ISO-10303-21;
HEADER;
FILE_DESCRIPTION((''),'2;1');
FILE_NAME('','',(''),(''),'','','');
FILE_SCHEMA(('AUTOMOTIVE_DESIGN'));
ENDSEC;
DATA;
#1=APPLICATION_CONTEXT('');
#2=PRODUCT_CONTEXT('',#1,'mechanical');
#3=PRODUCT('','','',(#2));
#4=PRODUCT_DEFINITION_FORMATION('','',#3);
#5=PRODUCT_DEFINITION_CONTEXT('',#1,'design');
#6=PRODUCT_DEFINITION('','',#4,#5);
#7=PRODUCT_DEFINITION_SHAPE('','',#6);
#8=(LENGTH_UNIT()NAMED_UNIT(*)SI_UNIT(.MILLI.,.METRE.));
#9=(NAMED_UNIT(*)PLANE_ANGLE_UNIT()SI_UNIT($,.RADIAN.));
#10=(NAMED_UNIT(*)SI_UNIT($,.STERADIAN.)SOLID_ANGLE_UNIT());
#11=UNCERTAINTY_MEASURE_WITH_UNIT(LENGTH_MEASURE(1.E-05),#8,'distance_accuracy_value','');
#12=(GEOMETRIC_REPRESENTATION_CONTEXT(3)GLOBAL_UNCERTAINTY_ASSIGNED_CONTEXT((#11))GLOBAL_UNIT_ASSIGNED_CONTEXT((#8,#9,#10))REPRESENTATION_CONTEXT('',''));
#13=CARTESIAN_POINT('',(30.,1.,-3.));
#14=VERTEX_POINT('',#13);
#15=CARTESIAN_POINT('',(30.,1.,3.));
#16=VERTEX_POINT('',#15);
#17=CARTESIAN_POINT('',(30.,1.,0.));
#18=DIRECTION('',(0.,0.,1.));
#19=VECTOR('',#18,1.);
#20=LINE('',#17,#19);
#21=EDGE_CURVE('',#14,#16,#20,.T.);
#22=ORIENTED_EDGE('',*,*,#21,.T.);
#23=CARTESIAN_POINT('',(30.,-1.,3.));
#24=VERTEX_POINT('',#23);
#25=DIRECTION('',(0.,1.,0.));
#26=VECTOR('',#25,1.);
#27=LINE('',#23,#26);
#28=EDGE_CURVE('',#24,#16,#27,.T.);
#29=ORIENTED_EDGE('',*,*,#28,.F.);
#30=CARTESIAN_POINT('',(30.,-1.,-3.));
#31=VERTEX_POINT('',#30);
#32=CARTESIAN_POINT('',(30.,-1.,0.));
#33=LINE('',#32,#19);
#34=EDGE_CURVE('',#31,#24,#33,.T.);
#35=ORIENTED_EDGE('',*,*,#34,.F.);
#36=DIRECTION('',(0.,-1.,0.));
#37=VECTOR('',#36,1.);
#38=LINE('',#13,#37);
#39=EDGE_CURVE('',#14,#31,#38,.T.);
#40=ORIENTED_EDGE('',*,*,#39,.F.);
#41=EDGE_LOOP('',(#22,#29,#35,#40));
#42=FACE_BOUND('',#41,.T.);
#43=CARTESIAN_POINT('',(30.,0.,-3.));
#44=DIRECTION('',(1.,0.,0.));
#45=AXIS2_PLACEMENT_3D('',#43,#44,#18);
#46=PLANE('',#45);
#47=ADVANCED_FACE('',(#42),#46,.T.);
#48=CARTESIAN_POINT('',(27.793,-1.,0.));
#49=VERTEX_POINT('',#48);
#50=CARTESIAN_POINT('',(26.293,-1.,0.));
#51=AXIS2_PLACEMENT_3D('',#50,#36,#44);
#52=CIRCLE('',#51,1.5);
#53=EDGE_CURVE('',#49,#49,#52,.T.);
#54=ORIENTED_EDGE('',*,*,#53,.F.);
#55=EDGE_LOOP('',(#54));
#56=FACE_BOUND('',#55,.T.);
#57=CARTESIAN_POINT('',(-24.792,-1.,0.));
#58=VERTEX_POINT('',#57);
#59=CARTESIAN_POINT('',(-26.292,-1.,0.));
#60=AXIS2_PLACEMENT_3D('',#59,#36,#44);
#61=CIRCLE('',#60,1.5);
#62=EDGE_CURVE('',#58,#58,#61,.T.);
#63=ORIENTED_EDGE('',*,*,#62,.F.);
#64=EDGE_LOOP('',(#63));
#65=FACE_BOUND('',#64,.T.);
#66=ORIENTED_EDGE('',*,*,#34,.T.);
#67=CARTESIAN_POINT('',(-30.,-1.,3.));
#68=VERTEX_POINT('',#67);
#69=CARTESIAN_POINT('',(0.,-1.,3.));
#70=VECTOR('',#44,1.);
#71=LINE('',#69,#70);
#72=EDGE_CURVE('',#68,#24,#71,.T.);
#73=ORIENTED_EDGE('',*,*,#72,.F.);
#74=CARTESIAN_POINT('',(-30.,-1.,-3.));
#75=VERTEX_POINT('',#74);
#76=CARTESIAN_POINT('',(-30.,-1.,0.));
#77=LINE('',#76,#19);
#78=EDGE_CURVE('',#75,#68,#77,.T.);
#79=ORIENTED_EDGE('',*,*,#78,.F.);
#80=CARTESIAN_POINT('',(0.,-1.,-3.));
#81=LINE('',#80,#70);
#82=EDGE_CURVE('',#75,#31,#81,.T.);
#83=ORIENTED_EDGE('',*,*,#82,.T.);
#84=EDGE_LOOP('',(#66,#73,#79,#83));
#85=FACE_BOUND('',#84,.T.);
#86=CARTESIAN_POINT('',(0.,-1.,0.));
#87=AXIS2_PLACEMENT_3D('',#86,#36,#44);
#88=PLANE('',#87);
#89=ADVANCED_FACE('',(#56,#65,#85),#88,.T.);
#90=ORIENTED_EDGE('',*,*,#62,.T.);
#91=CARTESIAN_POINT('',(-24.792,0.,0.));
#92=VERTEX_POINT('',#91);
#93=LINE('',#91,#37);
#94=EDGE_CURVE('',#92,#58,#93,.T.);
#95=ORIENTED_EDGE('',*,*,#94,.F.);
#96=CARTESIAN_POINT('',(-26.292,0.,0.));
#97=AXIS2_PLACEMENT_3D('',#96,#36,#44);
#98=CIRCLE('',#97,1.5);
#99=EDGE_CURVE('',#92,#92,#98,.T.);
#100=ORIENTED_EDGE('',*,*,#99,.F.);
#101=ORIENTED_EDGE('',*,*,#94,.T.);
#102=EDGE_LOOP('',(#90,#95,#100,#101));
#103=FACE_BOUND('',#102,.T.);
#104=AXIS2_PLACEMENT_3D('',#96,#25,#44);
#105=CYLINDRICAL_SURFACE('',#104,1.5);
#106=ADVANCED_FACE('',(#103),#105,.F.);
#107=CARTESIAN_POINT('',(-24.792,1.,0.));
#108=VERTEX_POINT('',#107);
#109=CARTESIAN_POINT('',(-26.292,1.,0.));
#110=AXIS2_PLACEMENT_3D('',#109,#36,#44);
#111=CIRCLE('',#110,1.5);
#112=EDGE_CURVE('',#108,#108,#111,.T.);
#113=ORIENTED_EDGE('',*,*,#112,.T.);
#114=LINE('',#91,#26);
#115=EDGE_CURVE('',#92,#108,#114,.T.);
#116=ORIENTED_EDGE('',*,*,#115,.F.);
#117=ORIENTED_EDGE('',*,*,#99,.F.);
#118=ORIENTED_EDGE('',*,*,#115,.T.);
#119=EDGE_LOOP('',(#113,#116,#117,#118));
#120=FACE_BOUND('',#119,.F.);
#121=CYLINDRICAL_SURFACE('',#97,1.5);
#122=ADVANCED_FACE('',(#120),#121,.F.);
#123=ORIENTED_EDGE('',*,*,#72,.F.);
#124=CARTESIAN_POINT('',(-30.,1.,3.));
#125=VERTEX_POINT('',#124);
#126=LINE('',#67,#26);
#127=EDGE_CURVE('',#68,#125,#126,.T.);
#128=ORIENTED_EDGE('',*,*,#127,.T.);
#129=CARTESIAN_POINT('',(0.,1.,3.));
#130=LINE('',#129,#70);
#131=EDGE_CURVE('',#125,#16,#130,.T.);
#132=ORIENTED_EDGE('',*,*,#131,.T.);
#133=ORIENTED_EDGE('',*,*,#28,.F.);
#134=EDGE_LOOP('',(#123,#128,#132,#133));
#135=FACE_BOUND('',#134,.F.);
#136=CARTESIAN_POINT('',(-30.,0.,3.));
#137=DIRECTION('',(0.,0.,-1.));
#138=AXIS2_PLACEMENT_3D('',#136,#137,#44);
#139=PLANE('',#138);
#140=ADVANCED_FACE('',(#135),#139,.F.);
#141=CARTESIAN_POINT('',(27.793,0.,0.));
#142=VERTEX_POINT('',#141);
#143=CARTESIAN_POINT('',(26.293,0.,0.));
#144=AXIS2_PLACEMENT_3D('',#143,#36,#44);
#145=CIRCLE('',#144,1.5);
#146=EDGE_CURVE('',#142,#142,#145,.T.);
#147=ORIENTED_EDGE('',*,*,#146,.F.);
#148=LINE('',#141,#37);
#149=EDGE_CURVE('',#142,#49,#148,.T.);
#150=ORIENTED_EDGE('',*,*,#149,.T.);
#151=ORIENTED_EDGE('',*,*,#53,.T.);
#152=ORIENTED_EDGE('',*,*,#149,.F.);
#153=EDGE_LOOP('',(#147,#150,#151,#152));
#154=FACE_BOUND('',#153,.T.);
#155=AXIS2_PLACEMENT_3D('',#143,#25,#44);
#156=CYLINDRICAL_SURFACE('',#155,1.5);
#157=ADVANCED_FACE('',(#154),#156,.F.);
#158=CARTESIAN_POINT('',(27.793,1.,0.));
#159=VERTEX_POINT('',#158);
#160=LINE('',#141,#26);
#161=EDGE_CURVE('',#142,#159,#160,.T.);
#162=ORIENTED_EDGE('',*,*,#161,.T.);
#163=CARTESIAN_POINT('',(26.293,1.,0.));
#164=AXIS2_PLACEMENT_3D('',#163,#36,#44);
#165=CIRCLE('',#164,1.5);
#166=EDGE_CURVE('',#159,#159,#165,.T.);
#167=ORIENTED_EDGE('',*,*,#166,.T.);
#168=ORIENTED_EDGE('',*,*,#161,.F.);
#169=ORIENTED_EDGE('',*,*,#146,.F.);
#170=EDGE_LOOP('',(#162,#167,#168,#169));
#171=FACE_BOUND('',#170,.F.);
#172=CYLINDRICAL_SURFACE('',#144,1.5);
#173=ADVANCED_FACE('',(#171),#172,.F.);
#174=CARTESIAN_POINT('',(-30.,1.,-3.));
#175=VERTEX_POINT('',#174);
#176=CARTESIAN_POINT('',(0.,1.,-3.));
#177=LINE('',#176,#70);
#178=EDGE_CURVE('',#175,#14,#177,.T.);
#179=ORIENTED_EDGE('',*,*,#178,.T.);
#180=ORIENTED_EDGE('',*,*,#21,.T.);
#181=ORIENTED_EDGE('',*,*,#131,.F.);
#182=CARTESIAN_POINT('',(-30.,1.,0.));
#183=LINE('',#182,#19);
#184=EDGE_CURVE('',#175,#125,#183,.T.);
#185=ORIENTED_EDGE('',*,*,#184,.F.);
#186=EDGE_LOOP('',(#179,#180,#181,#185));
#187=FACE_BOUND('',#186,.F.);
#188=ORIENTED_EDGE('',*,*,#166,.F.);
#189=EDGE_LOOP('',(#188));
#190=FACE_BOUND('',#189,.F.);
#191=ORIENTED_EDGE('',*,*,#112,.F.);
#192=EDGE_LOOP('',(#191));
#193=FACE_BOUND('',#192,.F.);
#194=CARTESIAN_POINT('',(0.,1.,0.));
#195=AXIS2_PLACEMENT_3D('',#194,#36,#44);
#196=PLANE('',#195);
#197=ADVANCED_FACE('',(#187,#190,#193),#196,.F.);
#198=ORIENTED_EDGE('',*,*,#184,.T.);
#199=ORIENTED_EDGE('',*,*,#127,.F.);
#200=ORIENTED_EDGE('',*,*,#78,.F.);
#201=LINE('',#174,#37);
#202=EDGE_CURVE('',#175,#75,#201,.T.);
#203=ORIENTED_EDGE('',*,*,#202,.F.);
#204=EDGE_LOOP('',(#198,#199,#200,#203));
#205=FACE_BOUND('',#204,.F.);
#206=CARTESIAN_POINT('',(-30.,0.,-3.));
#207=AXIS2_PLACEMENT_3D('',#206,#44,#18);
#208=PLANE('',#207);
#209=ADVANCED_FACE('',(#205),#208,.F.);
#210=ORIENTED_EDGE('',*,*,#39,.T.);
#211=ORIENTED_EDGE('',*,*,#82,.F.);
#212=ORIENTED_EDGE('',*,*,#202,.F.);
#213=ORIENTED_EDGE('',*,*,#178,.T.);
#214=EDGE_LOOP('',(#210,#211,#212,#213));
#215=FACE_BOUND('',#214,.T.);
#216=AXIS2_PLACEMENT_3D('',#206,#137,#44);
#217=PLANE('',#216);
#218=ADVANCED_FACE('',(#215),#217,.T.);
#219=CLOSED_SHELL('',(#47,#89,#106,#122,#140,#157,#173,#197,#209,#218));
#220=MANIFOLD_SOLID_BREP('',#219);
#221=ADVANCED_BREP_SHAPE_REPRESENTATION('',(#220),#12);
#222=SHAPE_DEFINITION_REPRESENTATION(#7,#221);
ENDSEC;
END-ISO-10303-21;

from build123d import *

# Parameters (mm, degrees)
F0_W          = 60
F0_H          = 6
F0_R          = 1.5
F1_DEPTH      = 1
F1_DEPTH_BACK = 1


with BuildPart() as f1:
    # F0 (on Front) → F1 (new body, two sides)
    with BuildSketch(Plane.XZ) as f1_sk:
        Rectangle(F0_W, F0_H)
        with Locations((-26.292, 0)):
            Circle(F0_R, mode=Mode.SUBTRACT)
        with Locations((26.293, 0)):
            Circle(F0_R, mode=Mode.SUBTRACT)
    extrude(amount=F1_DEPTH)
    extrude(f1_sk.sketch, amount=-F1_DEPTH_BACK)


solid = f1.part
